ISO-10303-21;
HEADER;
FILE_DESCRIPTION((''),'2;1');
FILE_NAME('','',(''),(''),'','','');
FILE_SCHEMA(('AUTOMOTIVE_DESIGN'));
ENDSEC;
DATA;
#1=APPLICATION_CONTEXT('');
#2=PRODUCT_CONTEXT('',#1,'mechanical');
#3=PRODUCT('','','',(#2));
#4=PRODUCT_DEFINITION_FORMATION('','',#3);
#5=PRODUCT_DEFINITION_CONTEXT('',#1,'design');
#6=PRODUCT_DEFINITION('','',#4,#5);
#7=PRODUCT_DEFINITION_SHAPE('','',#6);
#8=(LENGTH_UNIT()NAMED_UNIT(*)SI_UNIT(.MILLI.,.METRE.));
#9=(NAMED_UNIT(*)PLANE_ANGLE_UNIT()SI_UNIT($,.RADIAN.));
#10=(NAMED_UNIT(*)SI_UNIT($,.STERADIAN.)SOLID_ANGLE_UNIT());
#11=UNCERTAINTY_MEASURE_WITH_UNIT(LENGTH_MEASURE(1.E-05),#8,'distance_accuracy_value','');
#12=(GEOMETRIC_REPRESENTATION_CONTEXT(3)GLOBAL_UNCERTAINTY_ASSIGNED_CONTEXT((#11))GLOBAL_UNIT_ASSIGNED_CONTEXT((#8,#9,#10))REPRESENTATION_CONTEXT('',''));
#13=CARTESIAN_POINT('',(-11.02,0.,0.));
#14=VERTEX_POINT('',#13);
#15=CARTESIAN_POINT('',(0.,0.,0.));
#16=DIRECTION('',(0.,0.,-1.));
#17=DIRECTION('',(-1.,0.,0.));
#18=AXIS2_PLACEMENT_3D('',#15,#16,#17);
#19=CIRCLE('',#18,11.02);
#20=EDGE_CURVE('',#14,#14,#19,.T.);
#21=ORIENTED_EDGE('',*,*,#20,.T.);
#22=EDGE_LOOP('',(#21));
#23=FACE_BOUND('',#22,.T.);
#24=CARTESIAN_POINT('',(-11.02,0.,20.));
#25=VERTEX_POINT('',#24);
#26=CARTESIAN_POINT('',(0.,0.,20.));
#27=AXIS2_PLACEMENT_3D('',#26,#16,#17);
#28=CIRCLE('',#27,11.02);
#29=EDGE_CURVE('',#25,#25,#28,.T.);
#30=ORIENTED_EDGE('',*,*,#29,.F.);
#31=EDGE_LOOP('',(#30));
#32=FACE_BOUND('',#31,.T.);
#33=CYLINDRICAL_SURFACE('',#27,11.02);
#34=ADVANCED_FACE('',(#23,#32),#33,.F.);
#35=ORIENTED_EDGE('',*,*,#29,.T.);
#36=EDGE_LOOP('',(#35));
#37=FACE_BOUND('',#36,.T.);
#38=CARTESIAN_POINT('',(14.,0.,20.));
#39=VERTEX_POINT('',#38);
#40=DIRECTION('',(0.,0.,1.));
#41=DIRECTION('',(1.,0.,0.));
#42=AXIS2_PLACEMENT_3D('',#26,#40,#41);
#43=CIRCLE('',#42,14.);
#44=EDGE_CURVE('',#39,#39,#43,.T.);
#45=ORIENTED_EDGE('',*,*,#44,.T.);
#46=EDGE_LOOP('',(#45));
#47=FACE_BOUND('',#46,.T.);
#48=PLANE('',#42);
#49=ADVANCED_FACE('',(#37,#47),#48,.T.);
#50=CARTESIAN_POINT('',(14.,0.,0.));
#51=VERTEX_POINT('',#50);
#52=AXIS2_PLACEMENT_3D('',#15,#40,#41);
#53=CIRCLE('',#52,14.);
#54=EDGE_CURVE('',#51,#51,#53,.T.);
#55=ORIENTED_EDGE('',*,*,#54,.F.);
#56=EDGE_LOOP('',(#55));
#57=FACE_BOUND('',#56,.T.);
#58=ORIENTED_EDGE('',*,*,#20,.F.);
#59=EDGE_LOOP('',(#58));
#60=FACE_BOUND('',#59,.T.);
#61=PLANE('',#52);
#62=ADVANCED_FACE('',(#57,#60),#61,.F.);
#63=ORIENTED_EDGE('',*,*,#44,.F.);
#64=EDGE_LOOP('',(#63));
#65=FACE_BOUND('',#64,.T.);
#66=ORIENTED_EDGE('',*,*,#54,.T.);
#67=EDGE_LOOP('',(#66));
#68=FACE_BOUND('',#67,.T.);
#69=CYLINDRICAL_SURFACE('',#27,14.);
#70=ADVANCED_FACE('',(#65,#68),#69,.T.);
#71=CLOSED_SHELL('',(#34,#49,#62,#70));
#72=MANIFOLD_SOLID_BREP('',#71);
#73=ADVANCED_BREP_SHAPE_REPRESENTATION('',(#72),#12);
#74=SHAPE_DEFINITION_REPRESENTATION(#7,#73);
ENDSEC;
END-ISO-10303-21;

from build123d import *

# Parameters (mm, degrees)
SKETCH_1_R          = 14
EXTRUDE_2_DEPTH     = 20
SKETCH_4_R          = 11.02
CUT_EXTRUDE_2_DEPTH = 29.142494559


with BuildPart() as part:
    # 草图1 → 凸台-拉伸2 (new body)
    with BuildSketch(Plane.XY):
        Circle(SKETCH_1_R)
    extrude(amount=EXTRUDE_2_DEPTH)

    # 草图4 → 切除-拉伸2 (cut, through all)
    with BuildSketch(Plane(origin=(0, 0, 0), x_dir=(-1, 0, 0), z_dir=(0, 0, -1))):
        Circle(SKETCH_4_R)
    extrude(amount=-CUT_EXTRUDE_2_DEPTH, mode=Mode.SUBTRACT)


solid = part.part
